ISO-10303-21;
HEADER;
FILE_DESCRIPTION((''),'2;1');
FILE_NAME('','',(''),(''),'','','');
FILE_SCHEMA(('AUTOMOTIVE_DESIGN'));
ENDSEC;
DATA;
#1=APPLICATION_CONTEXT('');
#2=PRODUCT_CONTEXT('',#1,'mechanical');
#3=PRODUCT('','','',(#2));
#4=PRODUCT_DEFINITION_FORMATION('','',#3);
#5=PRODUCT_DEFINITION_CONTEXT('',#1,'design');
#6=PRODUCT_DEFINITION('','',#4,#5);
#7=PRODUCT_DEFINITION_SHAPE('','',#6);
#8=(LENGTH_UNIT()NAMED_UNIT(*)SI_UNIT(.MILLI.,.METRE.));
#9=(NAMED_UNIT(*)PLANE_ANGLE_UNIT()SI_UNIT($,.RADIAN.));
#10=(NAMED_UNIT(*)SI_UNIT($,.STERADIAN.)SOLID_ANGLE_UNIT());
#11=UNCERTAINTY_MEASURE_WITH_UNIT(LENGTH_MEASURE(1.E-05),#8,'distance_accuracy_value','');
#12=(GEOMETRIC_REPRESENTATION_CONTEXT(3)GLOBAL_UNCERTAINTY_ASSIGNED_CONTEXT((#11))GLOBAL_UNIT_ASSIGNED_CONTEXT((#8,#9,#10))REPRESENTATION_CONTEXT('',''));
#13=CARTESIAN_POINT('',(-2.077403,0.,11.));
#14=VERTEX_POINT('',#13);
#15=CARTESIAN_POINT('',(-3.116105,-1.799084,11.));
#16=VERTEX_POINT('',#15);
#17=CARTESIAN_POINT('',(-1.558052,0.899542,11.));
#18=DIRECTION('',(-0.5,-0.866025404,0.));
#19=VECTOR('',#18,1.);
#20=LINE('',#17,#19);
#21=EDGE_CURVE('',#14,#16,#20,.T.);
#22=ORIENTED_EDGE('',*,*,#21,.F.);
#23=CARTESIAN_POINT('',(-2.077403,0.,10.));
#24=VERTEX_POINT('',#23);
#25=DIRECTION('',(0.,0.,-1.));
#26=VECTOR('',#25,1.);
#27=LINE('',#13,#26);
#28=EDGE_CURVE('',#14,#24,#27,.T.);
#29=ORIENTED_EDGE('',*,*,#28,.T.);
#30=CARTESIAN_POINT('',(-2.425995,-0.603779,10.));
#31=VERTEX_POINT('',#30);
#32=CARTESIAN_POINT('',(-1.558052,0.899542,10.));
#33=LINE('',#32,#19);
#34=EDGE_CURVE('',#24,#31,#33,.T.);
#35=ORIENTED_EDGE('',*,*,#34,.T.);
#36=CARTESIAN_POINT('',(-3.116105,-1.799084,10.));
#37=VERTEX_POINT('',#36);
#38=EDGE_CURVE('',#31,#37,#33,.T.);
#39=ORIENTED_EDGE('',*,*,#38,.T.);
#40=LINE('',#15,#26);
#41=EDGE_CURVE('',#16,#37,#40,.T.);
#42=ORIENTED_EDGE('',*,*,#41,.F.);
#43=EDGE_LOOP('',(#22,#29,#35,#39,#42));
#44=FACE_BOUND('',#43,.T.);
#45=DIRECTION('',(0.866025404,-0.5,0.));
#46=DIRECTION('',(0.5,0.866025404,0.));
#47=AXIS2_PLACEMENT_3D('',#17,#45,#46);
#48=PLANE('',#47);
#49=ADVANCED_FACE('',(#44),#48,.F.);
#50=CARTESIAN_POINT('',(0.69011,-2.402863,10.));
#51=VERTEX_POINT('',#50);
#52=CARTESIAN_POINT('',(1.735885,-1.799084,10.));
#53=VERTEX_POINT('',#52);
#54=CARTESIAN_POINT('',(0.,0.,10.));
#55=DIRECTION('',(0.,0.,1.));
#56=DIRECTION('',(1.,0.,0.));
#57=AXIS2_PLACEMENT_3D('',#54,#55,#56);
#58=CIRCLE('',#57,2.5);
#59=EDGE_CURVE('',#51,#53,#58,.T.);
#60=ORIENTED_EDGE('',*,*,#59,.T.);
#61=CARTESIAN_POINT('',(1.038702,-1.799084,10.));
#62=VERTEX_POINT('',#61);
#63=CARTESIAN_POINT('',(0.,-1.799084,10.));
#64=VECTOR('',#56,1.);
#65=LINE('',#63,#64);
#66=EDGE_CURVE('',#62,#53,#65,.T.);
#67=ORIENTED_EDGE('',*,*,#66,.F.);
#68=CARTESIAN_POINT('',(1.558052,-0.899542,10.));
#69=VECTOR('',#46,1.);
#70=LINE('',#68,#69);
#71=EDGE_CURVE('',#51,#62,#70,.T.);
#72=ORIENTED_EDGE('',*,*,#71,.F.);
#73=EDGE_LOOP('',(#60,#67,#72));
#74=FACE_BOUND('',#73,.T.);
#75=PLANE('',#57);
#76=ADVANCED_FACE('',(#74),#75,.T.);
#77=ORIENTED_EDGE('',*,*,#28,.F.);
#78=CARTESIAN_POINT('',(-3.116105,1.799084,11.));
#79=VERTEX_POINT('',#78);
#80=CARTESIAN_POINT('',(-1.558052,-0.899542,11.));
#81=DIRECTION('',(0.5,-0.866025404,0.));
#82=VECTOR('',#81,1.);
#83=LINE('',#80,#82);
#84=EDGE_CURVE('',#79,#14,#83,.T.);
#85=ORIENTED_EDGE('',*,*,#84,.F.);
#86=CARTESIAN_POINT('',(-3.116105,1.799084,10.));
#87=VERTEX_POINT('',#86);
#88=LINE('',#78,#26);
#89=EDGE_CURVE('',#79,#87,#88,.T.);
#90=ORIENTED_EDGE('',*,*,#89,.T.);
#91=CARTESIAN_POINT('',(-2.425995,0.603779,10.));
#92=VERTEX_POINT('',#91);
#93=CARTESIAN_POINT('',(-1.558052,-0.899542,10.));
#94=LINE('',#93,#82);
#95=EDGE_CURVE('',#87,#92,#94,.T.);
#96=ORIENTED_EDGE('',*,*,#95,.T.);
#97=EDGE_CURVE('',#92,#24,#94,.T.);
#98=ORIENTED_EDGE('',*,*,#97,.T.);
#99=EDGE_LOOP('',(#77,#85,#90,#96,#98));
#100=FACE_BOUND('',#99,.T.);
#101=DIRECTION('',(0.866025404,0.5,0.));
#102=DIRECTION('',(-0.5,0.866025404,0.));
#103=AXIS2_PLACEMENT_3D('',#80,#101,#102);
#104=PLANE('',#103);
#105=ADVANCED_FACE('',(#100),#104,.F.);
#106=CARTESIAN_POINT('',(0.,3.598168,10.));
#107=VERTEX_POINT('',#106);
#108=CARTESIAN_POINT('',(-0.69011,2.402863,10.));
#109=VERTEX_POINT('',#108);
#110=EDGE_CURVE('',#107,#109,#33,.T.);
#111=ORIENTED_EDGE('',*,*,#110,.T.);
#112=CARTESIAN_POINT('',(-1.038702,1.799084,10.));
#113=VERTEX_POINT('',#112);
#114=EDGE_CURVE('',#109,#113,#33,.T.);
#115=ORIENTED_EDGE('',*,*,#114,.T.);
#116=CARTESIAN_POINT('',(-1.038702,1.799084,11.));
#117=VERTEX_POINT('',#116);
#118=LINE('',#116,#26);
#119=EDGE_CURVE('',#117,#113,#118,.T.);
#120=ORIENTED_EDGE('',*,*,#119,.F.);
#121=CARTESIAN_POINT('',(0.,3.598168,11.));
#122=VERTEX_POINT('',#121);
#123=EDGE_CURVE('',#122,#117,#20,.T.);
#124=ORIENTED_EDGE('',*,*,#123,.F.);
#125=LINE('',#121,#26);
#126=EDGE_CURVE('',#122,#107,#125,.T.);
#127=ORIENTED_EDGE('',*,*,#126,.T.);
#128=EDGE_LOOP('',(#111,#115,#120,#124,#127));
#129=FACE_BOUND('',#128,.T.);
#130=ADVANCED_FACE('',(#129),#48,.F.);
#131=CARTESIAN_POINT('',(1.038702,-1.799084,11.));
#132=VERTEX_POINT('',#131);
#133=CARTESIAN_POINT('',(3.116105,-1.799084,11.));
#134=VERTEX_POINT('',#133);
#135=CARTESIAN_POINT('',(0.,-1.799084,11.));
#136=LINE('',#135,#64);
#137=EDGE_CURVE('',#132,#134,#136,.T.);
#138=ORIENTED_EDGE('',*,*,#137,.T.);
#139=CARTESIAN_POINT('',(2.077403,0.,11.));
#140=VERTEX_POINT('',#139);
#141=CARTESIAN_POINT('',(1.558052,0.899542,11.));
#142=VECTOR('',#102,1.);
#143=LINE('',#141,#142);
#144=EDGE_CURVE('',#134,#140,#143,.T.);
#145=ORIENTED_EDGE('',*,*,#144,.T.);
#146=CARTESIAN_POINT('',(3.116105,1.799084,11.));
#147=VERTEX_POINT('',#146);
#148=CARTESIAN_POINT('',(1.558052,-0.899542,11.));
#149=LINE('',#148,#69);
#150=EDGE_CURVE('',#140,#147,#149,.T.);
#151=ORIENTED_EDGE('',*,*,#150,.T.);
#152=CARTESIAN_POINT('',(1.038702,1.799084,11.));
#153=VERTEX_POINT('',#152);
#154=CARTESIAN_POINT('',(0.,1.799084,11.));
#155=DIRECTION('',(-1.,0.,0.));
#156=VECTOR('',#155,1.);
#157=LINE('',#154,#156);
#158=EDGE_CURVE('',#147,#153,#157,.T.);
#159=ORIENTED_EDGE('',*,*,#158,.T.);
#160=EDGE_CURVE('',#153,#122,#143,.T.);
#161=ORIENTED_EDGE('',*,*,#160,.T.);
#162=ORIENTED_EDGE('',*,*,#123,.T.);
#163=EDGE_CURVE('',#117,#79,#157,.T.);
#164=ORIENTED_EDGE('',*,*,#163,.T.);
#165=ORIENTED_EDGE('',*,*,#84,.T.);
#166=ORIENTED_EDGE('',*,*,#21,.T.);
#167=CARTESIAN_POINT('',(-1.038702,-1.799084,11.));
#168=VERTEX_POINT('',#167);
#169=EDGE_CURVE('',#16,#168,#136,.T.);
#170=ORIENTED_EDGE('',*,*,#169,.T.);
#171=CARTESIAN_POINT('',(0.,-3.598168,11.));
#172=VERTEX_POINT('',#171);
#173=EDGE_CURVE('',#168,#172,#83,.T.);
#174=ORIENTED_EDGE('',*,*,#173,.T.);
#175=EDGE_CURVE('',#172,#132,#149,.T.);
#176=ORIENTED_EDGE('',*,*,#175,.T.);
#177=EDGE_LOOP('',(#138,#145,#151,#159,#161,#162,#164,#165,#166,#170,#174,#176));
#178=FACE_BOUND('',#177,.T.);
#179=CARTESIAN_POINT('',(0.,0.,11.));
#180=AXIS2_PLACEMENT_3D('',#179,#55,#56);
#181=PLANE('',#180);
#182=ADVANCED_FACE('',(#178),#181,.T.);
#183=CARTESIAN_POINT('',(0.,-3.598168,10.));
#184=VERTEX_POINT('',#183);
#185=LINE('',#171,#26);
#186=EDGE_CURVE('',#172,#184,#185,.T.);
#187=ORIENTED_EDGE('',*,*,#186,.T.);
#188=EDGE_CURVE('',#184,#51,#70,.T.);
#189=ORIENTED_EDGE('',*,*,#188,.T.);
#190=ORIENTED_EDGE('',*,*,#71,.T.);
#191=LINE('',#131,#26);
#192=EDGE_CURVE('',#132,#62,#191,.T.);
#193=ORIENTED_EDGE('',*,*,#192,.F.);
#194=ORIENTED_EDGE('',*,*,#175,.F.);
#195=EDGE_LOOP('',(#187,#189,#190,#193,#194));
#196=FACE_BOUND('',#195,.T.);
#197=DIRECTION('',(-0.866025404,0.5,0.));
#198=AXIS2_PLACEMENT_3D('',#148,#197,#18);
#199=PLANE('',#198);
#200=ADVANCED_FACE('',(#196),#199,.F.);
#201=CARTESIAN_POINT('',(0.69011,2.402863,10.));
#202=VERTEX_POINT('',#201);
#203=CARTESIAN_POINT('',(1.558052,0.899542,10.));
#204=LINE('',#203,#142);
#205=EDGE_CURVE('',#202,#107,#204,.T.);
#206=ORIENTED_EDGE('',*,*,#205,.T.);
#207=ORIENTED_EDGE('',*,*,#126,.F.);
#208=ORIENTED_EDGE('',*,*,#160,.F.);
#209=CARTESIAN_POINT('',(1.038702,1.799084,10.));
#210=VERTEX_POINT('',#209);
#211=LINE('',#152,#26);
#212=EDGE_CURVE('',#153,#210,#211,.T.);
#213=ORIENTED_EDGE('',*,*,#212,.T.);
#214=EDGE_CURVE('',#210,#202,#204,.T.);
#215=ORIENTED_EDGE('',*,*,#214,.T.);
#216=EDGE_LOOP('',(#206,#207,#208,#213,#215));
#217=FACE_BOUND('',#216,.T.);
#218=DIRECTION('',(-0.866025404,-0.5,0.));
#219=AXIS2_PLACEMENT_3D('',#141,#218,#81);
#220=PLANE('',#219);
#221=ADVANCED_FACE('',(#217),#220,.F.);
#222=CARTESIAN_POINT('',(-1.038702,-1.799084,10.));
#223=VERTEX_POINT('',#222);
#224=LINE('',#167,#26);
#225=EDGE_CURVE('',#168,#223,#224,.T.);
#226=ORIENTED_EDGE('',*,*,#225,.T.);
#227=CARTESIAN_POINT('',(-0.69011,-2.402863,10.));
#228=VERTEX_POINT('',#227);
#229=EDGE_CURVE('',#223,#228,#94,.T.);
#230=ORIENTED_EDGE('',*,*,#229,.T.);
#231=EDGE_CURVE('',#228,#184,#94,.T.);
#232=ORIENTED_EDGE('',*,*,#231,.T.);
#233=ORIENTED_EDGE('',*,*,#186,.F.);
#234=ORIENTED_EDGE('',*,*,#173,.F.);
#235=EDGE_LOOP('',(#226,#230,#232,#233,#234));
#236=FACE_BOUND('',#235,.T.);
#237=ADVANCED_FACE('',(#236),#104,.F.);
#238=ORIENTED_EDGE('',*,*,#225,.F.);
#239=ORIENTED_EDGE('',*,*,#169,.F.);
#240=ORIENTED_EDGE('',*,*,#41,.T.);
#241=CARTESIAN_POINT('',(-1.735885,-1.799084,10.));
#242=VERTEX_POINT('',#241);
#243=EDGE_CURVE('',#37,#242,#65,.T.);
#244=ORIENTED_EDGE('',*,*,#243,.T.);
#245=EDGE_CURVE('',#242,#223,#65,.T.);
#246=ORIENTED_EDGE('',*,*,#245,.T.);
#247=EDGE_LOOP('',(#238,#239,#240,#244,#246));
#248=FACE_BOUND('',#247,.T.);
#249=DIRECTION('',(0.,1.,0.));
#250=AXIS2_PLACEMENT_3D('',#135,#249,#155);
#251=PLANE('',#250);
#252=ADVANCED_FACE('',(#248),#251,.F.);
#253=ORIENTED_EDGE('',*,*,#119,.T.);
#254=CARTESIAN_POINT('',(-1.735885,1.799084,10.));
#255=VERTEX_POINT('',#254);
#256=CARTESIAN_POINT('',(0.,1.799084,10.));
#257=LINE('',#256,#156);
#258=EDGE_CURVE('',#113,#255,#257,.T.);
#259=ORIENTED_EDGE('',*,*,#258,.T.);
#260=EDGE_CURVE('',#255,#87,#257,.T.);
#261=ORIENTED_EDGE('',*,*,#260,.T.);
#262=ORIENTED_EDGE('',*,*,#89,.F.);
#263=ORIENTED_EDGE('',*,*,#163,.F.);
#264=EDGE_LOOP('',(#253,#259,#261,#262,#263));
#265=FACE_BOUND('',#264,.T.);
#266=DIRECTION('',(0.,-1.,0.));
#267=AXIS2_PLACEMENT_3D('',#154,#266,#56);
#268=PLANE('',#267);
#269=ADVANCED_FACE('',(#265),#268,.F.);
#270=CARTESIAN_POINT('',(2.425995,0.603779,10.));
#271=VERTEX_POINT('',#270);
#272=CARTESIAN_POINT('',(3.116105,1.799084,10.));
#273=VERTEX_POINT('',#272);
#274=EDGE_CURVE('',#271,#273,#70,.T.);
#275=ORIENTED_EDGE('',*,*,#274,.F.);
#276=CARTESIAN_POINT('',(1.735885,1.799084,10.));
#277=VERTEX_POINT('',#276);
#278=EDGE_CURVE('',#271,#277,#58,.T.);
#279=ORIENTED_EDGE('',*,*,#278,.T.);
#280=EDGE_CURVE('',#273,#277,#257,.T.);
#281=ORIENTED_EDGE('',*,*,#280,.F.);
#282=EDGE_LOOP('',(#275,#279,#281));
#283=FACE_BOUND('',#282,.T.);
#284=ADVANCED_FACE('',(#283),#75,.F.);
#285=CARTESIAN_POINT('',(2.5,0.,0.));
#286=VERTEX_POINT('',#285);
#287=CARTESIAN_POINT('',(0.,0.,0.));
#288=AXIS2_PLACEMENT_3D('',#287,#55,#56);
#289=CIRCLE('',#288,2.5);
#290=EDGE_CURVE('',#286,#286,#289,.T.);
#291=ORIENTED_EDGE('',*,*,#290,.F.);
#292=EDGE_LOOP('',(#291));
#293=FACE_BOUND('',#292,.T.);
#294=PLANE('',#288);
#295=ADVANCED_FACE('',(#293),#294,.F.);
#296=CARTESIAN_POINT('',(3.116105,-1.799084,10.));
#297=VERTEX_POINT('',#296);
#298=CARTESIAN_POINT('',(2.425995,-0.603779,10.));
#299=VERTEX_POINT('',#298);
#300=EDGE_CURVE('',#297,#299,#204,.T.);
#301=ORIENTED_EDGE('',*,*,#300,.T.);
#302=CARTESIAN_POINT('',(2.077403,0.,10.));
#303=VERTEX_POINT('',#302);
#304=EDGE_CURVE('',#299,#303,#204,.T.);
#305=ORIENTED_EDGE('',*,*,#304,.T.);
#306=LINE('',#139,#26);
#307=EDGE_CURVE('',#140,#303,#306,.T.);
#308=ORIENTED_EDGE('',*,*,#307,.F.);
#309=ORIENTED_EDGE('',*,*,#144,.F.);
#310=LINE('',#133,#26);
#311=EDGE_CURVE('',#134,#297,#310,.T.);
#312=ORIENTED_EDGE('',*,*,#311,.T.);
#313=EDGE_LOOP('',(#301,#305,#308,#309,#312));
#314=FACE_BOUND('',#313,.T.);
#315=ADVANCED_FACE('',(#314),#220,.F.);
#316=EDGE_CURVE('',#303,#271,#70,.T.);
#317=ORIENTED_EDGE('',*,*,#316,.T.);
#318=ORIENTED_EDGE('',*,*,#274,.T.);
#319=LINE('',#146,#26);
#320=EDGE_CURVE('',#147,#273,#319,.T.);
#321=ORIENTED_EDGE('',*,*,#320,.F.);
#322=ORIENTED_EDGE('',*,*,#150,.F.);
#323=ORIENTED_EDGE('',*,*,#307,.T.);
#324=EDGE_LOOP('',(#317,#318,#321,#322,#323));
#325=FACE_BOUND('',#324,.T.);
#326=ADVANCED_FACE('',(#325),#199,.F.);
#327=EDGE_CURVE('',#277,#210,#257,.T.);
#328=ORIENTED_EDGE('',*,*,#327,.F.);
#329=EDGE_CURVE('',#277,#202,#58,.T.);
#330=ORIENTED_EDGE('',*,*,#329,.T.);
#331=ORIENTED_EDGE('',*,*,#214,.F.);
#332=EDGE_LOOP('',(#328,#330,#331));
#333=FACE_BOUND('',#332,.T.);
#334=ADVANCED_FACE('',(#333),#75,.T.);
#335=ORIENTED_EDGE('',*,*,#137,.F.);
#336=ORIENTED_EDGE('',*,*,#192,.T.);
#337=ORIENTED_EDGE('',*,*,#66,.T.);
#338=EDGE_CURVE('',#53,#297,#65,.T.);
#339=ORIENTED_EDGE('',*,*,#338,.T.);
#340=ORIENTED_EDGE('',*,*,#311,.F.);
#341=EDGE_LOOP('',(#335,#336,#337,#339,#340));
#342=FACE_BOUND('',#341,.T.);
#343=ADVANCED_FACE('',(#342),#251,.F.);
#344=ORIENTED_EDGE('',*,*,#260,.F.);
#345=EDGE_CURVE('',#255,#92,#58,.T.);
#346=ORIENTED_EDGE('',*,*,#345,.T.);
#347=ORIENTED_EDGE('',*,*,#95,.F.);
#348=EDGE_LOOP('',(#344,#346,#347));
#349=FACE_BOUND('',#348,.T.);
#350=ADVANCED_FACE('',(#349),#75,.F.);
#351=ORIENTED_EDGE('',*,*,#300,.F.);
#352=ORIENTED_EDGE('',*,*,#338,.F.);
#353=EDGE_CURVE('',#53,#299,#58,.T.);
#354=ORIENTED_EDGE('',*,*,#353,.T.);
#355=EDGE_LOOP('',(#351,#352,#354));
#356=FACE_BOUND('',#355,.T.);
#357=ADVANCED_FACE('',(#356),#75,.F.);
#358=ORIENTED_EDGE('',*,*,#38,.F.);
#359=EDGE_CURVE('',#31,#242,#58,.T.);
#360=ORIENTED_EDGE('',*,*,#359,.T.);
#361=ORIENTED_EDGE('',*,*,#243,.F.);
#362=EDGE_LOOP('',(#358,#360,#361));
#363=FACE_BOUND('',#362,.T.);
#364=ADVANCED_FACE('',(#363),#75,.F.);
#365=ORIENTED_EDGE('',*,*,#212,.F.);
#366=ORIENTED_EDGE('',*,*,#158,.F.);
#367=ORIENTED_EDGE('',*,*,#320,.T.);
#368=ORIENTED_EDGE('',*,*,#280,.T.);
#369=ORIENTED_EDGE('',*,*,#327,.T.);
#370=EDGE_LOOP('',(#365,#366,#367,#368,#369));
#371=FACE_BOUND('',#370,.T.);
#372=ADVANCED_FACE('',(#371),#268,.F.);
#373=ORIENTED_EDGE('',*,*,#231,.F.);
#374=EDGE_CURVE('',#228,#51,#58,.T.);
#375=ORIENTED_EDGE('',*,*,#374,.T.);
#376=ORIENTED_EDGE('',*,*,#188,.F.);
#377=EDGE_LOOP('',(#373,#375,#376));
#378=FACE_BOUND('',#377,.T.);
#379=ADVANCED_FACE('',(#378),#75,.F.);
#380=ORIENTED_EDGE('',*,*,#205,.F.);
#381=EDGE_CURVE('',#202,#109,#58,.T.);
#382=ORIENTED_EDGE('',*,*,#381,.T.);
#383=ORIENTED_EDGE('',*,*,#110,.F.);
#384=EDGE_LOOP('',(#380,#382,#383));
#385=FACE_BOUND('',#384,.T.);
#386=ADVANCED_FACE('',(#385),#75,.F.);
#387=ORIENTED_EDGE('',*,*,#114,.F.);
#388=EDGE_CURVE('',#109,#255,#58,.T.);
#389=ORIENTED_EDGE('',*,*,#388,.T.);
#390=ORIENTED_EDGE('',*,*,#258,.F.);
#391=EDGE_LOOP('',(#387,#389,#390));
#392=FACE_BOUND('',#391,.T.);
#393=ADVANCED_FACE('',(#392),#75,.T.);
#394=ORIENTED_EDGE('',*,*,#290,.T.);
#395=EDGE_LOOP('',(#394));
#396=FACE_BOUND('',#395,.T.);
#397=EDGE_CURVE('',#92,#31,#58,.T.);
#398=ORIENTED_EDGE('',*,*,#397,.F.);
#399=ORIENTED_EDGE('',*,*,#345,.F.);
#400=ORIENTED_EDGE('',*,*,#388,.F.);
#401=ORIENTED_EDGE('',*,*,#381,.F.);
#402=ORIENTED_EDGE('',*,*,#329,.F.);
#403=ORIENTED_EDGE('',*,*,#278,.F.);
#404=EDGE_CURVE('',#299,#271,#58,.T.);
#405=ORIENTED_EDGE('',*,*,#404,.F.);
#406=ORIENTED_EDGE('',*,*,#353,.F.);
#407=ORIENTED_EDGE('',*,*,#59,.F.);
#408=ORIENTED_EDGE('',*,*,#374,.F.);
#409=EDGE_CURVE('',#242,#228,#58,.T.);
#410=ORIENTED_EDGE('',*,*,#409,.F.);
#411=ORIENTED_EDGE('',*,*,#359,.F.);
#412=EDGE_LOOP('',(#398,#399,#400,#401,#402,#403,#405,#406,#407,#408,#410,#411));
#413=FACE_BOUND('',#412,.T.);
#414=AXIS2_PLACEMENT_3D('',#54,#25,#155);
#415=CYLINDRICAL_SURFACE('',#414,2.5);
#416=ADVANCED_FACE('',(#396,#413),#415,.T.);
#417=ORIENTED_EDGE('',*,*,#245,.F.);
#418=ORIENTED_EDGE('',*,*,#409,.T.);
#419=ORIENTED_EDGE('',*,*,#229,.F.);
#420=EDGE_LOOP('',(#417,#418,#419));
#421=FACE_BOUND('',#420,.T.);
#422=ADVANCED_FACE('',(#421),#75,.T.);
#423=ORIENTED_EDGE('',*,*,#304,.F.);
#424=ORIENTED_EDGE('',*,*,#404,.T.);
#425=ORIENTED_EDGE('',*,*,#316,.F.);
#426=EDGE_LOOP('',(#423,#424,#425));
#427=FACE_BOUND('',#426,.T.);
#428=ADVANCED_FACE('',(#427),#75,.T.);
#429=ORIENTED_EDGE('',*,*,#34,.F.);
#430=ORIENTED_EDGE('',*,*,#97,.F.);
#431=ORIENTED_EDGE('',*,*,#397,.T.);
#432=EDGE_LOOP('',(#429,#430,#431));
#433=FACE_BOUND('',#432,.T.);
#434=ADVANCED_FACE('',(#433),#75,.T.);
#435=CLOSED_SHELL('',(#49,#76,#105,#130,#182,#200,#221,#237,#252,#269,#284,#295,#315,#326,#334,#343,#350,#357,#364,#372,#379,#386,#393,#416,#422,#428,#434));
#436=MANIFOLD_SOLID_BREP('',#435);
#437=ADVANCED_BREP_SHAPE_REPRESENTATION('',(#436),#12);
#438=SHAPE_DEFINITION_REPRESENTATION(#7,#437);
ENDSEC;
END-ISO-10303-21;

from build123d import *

# Parameters (mm, degrees)
SKETCH_1_R      = 2.5
EXTRUDE_1_DEPTH = 10
EXTRUDE_2_DEPTH = 1


with BuildPart() as part:
    # 스케치1 → 보스-돌출1 (new body)
    with BuildSketch(Plane.XY):
        Circle(SKETCH_1_R)
    extrude(amount=EXTRUDE_1_DEPTH)

    # 스케치2 → 보스-돌출2 (add)
    with BuildSketch(Plane.XY.offset(10)):
        with BuildLine():
            ThreePointArc((-2.425994905, 0.603778702), (-2.165063509, 1.25), (-1.735885147, 1.799083866))
            Line((-1.735885147, 1.799083866), (-3.116104663, 1.799083866))
            Line((-3.116104663, 1.799083866), (-2.425994905, 0.603778702))
        make_face()
        with BuildLine():
            Line((-2.077403109, 0), (-1.038701554, 1.799083866))
            Line((-1.038701554, 1.799083866), (-1.735885147, 1.799083866))
            ThreePointArc((-1.735885147, 1.799083866), (-2.165063509, 1.25), (-2.425994905, 0.603778702))
            Line((-2.425994905, 0.603778702), (-2.077403109, 0))
        make_face()
        with BuildLine():
            Line((-1.038701554, 1.799083866), (1.038701554, 1.799083866))
            Line((1.038701554, 1.799083866), (0.690109758, 2.402862568))
            ThreePointArc((0.690109758, 2.402862568), (0, 2.5), (-0.690109758, 2.402862568))
            Line((-0.690109758, 2.402862568), (-1.038701554, 1.799083866))
        make_face()
        with BuildLine():
            Line((2.425994905, 0.603778702), (3.116104663, 1.799083866))
            Line((3.116104663, 1.799083866), (1.735885147, 1.799083866))
            ThreePointArc((1.735885147, 1.799083866), (2.165063509, 1.25), (2.425994905, 0.603778702))
        make_face()
        with BuildLine():
            ThreePointArc((2.425994905, 0.603778702), (2.165063509, 1.25), (1.735885147, 1.799083866))
            Line((1.735885147, 1.799083866), (1.038701554, 1.799083866))
            Line((1.038701554, 1.799083866), (2.077403109, 0))
            Line((2.077403109, 0), (2.425994905, 0.603778702))
        make_face()
        with BuildLine():
            Line((3.116104663, -1.799083866), (2.425994905, -0.603778702))
            ThreePointArc((2.425994905, -0.603778702), (2.165063509, -1.25), (1.735885147, -1.799083866))
            Line((1.735885147, -1.799083866), (3.116104663, -1.799083866))
        make_face()
        with BuildLine():
            Line((2.425994905, -0.603778702), (2.077403109, 0))
            Line((2.077403109, 0), (1.038701554, -1.799083866))
            Line((1.038701554, -1.799083866), (1.735885147, -1.799083866))
            ThreePointArc((1.735885147, -1.799083866), (2.165063509, -1.25), (2.425994905, -0.603778702))
        make_face()
        with BuildLine():
            Line((0, -3.598167732), (0.690109758, -2.402862568))
            ThreePointArc((0.690109758, -2.402862568), (0, -2.5), (-0.690109758, -2.402862568))
            Line((-0.690109758, -2.402862568), (0, -3.598167732))
        make_face()
        with BuildLine():
            Line((0.690109758, -2.402862568), (1.038701554, -1.799083866))
            Line((1.038701554, -1.799083866), (-1.038701554, -1.799083866))
            Line((-1.038701554, -1.799083866), (-0.690109758, -2.402862568))
            ThreePointArc((-0.690109758, -2.402862568), (0, -2.5), (0.690109758, -2.402862568))
        make_face()
        with BuildLine():
            Line((-1.038701554, -1.799083866), (-2.077403109, 0))
            Line((-2.077403109, 0), (-2.425994905, -0.603778702))
            ThreePointArc((-2.425994905, -0.603778702), (-2.165063509, -1.25), (-1.735885147, -1.799083866))
            Line((-1.735885147, -1.799083866), (-1.038701554, -1.799083866))
        make_face()
        with BuildLine():
            ThreePointArc((-1.735885147, -1.799083866), (-2.165063509, -1.25), (-2.425994905, -0.603778702))
            Line((-2.425994905, -0.603778702), (-3.116104663, -1.799083866))
            Line((-3.116104663, -1.799083866), (-1.735885147, -1.799083866))
        make_face()
        Polygon((0, -3.598167732), (3.116104663, 1.799083866), (-3.116104663, 1.799083866), align=None)
        Polygon((3.116104663, -1.799083866), (0, 3.598167732), (-3.116104663, -1.799083866), align=None)
        with BuildLine():
            ThreePointArc((-0.690109758, 2.402862568), (0, 2.5), (0.690109758, 2.402862568))
            Line((0.690109758, 2.402862568), (0, 3.598167732))
            Line((0, 3.598167732), (-0.690109758, 2.402862568))
        make_face()
    extrude(amount=EXTRUDE_2_DEPTH)


solid = part.part
